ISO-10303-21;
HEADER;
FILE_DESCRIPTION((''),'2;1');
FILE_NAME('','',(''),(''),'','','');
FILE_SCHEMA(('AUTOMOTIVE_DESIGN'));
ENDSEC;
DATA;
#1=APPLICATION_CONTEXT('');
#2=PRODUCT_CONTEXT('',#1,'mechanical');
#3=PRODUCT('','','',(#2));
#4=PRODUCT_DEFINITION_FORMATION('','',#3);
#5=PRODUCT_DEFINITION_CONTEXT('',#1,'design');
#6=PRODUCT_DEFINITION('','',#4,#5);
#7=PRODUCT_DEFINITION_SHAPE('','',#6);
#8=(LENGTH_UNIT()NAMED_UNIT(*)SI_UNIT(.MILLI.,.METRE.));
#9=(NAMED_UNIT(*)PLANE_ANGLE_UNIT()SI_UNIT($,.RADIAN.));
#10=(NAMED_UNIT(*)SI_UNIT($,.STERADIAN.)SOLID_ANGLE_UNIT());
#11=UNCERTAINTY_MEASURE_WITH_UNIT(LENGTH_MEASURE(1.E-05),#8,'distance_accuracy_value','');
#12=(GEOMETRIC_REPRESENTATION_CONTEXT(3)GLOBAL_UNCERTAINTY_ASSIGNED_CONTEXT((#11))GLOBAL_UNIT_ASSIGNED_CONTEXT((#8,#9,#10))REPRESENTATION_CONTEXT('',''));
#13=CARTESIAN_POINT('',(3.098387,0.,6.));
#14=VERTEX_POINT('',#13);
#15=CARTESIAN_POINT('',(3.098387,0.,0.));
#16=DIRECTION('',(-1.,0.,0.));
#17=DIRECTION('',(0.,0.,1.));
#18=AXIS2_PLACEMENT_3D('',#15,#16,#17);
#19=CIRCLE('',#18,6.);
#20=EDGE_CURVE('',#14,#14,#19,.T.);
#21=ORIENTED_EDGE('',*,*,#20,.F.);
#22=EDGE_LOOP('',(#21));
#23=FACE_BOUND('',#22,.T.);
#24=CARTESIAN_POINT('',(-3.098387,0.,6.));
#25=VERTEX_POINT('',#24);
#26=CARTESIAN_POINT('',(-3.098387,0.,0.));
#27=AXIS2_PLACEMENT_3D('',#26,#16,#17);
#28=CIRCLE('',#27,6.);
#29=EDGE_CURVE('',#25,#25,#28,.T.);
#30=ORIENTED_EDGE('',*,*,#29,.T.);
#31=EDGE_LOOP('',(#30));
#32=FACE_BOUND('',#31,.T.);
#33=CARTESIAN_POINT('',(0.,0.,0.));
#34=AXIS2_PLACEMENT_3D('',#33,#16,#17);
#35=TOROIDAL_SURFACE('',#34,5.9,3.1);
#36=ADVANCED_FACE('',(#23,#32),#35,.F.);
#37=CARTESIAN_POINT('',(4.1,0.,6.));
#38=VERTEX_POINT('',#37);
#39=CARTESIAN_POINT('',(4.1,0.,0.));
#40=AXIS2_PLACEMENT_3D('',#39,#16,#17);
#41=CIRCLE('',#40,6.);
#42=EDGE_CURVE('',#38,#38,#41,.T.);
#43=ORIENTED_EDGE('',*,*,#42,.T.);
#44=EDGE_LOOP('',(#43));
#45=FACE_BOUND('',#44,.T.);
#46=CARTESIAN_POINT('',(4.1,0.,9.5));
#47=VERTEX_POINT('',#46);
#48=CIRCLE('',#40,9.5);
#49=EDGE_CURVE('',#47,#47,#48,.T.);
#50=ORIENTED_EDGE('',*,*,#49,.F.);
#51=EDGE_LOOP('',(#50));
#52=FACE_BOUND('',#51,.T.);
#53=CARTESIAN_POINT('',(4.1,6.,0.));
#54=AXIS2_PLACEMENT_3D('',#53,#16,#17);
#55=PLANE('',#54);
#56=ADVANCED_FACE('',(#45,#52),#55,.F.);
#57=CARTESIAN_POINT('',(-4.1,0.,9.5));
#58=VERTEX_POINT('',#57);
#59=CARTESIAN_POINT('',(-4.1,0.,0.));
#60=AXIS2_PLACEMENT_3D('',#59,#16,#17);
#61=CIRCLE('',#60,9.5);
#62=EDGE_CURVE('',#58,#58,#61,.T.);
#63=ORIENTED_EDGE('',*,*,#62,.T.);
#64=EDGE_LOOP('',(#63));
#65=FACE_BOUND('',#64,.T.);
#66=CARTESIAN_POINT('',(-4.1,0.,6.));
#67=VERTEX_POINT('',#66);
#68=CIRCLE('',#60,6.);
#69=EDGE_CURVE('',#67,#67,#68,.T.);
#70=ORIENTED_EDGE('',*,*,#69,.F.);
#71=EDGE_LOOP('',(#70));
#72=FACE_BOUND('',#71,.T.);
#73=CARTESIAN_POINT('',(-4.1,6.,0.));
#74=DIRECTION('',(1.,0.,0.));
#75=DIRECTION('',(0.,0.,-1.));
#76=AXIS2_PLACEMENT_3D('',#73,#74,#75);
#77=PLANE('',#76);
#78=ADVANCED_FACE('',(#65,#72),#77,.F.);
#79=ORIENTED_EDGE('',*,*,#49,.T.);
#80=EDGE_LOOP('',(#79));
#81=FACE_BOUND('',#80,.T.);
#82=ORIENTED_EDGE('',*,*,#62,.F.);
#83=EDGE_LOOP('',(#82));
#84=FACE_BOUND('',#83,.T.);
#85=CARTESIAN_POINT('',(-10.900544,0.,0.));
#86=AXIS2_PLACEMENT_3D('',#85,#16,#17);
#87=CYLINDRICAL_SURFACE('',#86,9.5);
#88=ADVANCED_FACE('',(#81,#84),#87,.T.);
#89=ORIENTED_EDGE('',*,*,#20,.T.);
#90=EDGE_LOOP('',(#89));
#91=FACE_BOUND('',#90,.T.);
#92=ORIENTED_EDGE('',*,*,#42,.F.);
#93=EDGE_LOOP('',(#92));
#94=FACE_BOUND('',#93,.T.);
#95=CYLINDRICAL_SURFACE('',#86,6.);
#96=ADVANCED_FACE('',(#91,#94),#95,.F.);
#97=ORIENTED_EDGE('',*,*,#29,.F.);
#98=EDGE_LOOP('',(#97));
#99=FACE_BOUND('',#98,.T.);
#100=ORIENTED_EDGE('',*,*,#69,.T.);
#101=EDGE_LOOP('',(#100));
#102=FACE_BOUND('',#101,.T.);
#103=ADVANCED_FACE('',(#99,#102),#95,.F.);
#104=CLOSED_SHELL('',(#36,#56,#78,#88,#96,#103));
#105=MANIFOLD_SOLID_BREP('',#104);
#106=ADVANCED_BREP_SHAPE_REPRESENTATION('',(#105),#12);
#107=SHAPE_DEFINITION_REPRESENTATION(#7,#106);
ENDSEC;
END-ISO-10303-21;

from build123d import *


with BuildPart() as part:
    # Sketch1 → Revolve1 (revolve)
    with BuildSketch(Plane.XY):
        with BuildLine():
            Line((4.1, 6), (3.098386677, 6))
            ThreePointArc((3.098386677, 6), (0, 9), (-3.098386677, 6))
            Line((-3.098386677, 6), (-4.1, 6))
            Line((-4.1, 6), (-4.1, 9.5))
            Line((-4.1, 9.5), (4.1, 9.5))
            Line((4.1, 9.5), (4.1, 6))
        make_face()
    revolve(axis=Axis((-10.900544186, 0, 0), (1, 0, 0)))


solid = part.part
